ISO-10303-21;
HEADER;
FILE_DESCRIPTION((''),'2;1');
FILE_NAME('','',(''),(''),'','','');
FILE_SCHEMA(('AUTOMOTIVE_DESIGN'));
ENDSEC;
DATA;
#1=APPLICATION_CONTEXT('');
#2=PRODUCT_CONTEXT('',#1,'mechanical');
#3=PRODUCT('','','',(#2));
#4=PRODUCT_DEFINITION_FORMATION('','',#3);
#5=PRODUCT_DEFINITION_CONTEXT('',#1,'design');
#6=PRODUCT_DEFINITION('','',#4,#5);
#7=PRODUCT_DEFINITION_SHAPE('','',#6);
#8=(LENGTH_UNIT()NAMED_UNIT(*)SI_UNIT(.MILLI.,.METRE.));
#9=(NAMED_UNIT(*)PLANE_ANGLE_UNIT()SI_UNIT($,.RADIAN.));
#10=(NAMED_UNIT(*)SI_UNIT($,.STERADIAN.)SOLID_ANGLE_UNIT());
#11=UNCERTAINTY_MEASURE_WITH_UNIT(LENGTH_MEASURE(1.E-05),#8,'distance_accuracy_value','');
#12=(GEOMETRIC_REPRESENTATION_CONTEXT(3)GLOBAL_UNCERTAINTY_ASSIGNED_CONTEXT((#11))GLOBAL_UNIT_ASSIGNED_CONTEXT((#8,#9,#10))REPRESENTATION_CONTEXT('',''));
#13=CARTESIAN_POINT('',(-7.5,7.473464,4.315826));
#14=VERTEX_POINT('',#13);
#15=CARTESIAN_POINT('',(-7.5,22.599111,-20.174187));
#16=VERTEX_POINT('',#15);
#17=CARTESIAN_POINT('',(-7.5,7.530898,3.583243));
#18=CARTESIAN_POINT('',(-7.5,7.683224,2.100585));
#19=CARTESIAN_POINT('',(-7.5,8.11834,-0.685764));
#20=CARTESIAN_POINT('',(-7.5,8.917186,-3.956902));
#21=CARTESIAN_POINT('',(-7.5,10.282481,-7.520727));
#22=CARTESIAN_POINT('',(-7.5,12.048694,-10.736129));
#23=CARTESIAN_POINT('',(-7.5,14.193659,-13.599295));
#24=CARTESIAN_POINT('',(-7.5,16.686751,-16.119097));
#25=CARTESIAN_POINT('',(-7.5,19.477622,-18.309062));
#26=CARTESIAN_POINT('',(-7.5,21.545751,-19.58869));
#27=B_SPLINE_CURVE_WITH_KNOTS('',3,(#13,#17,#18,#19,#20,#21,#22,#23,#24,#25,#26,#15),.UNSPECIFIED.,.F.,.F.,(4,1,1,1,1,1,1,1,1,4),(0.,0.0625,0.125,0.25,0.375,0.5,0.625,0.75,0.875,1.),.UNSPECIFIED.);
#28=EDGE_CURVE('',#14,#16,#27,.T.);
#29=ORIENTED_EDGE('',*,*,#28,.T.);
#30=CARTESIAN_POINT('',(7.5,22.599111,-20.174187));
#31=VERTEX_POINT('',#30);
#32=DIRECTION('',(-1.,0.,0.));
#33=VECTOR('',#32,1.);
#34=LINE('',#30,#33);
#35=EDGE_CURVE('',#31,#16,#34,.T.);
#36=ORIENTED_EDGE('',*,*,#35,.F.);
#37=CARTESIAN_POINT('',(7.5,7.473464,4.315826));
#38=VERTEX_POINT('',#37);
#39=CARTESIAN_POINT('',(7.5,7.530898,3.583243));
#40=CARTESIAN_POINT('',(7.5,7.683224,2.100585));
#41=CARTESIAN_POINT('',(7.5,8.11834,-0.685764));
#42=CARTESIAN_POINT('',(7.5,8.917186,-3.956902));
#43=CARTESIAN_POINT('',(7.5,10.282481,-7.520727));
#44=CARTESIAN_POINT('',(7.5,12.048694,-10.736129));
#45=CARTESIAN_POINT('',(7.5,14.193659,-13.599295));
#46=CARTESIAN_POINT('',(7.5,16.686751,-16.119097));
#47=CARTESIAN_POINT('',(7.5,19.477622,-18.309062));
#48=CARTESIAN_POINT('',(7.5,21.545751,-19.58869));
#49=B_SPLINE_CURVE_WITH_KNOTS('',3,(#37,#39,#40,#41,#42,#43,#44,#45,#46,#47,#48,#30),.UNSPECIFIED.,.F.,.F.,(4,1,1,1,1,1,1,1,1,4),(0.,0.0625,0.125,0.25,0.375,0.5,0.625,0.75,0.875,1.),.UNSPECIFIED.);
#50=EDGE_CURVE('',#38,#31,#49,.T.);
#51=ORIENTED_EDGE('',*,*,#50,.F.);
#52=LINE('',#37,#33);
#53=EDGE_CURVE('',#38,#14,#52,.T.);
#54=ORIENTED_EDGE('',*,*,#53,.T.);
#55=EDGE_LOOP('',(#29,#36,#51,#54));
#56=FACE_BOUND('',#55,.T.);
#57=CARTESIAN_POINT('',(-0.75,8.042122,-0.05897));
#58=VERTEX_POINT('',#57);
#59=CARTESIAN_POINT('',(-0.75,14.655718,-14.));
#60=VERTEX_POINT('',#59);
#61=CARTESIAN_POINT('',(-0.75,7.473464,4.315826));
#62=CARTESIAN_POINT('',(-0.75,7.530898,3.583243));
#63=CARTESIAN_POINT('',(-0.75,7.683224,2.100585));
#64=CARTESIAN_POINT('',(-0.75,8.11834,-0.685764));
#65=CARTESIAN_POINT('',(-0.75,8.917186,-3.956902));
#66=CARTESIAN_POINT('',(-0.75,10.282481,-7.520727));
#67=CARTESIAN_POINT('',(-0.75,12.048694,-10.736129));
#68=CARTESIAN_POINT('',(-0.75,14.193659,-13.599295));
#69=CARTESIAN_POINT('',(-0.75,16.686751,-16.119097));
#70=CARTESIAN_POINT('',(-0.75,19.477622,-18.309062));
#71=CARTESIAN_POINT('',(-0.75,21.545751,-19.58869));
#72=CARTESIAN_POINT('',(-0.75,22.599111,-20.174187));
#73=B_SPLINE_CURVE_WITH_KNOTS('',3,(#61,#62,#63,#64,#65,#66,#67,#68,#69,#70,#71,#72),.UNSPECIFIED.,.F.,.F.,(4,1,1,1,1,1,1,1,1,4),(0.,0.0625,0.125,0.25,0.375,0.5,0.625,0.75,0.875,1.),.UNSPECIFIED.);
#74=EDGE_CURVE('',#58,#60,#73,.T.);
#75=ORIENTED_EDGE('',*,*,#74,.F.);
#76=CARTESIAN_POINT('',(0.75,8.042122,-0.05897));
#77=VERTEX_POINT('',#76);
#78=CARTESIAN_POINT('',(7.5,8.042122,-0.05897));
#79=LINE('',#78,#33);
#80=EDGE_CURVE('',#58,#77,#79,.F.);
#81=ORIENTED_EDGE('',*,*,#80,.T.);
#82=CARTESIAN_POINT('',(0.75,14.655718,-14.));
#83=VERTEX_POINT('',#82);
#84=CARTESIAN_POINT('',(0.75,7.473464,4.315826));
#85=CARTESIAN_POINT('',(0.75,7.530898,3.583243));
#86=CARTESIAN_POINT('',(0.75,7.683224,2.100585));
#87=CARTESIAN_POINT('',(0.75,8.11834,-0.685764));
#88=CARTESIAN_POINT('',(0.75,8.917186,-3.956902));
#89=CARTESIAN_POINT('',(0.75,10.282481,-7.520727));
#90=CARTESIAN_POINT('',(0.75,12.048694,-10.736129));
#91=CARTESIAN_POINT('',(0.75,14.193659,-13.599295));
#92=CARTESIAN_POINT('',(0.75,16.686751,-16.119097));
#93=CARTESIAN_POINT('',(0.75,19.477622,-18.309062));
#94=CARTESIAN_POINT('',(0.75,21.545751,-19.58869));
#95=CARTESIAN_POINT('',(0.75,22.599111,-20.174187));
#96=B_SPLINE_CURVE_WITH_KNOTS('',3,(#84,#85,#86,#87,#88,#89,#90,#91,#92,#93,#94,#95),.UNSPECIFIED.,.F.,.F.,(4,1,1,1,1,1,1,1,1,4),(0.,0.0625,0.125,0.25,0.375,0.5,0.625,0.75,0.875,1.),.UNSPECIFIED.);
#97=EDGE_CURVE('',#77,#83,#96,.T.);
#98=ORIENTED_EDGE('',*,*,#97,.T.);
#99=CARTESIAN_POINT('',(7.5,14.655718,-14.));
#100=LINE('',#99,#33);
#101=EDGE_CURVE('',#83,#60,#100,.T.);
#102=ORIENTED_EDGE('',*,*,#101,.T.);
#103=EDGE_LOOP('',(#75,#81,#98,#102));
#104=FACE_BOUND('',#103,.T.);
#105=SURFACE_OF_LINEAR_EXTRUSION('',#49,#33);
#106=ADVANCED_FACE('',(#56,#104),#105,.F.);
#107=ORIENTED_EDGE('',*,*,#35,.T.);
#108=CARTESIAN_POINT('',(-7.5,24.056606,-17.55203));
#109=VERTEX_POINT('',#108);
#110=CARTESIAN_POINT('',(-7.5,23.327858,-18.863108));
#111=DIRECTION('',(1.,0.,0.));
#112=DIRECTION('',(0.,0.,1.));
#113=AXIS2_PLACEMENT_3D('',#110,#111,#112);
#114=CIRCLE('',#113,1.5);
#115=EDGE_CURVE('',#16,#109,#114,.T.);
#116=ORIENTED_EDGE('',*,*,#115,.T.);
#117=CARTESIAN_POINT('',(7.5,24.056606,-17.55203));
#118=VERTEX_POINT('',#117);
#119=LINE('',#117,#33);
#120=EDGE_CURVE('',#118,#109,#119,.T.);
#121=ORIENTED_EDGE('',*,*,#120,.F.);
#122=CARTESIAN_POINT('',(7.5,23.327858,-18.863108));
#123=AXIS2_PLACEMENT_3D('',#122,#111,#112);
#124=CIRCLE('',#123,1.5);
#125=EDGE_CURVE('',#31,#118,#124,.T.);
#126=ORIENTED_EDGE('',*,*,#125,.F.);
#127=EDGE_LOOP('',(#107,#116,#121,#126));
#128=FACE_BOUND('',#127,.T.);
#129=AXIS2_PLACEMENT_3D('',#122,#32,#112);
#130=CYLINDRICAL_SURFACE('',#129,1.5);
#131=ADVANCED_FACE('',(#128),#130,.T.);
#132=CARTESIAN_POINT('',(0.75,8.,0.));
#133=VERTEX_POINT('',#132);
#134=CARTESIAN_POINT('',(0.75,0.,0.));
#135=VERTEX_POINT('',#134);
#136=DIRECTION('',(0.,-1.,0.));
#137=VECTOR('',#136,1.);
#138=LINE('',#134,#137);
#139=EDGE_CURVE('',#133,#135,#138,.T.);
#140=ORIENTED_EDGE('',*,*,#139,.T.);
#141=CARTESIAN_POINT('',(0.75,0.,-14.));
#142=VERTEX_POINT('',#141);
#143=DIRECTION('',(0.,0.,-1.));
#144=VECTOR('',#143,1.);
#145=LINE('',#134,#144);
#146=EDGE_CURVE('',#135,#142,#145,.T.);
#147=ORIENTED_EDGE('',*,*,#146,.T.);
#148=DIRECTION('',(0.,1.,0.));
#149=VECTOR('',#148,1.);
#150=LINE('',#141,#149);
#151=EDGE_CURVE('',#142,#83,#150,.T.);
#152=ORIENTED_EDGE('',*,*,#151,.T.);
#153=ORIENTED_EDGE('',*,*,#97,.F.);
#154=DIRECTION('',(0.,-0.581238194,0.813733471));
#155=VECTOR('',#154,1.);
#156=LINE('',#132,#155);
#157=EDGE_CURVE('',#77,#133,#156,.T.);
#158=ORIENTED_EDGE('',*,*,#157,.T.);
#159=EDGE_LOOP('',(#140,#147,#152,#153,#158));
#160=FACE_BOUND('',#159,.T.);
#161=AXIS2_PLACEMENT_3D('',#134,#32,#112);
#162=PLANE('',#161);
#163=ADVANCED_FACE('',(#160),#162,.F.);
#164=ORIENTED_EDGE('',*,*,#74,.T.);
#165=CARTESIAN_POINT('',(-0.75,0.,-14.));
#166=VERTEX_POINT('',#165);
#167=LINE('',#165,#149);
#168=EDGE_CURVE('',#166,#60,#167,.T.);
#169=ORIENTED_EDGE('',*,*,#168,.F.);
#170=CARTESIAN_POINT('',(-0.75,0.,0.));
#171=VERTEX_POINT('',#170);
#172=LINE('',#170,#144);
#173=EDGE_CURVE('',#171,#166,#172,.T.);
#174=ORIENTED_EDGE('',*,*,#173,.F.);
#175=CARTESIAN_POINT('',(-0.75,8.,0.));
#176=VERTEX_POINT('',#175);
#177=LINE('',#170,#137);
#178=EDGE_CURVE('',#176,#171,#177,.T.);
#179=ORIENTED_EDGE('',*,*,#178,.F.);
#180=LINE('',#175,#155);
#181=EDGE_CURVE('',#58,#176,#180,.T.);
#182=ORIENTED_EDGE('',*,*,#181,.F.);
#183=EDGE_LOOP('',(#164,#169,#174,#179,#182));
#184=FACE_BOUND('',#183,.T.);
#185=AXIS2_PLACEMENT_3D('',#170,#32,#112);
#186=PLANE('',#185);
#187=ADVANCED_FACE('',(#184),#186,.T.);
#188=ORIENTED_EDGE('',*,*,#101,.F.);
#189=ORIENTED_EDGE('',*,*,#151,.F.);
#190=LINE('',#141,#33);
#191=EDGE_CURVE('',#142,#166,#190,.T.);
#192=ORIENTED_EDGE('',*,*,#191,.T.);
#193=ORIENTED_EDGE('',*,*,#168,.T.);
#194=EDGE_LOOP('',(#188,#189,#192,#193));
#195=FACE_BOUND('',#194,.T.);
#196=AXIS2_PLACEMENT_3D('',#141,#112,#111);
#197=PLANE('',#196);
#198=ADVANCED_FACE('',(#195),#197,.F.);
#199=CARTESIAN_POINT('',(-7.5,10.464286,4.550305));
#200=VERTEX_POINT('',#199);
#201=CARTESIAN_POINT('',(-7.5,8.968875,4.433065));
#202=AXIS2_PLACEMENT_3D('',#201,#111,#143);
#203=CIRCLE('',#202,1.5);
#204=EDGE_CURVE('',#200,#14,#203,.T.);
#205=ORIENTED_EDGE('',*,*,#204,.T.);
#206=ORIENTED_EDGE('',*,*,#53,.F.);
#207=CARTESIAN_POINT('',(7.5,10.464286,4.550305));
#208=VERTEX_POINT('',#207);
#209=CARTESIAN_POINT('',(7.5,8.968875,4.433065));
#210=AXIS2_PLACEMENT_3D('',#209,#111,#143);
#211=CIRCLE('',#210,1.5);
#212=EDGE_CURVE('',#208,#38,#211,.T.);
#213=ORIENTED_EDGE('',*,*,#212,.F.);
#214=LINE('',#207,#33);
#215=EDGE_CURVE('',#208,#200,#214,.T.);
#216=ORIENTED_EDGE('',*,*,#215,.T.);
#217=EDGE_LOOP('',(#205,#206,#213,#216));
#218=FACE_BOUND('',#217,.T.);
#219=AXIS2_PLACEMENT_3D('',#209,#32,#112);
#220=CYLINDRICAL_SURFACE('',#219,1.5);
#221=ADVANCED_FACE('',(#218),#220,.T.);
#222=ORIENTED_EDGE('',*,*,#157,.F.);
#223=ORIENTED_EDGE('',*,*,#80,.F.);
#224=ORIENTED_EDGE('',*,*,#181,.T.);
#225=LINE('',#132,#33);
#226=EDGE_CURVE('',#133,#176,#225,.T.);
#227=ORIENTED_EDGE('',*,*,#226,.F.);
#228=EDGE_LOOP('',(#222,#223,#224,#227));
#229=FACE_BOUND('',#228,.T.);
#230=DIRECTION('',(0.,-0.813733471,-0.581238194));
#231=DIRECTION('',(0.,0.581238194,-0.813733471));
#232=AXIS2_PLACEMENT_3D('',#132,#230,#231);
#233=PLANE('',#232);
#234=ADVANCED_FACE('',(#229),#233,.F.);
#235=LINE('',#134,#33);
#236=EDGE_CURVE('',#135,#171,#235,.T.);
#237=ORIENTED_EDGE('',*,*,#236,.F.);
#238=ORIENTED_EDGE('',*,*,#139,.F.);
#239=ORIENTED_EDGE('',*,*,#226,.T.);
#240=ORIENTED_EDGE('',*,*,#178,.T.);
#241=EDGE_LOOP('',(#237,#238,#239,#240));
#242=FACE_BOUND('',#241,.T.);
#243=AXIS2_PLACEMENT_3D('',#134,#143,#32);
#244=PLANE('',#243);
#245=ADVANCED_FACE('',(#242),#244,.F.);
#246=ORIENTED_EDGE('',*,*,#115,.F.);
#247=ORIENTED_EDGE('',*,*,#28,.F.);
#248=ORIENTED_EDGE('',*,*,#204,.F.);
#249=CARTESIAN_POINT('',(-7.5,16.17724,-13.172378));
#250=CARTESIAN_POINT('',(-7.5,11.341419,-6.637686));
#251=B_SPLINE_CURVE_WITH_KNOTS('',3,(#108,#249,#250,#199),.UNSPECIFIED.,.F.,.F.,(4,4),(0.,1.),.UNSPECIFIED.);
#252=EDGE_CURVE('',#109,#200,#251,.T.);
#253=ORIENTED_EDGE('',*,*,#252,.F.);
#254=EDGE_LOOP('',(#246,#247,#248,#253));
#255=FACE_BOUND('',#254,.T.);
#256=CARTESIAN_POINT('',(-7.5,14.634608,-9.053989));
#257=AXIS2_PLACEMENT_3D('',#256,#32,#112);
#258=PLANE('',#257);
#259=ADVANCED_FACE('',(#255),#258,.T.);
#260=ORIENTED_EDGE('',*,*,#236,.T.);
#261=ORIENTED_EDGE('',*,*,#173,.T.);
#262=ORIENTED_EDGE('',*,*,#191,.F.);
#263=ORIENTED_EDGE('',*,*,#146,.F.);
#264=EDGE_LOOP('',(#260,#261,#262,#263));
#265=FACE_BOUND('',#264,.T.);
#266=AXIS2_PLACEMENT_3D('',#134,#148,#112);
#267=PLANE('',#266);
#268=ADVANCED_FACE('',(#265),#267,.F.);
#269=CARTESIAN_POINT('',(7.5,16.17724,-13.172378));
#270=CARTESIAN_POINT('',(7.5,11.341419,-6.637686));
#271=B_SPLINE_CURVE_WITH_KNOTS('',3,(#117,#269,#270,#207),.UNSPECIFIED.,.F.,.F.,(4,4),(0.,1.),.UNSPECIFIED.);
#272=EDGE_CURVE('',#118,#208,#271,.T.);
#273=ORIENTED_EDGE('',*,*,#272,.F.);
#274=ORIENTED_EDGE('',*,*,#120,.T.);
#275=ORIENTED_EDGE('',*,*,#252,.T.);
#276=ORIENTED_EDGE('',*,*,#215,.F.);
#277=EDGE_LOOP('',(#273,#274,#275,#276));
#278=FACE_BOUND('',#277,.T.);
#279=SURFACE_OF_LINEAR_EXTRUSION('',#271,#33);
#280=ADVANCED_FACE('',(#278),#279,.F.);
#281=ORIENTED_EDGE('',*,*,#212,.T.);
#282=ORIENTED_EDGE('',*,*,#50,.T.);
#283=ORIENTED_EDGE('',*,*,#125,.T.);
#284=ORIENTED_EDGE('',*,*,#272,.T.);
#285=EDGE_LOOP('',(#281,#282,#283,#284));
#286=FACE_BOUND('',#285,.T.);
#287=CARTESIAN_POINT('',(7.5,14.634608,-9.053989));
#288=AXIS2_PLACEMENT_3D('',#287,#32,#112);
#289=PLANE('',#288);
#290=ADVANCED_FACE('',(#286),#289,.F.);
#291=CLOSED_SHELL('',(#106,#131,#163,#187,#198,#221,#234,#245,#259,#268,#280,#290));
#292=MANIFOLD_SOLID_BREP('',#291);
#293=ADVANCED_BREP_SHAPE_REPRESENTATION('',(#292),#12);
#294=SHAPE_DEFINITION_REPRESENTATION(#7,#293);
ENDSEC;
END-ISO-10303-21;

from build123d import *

# Parameters (mm, degrees)
BOSS_EXTRUDE1_DEPTH = 0.75
BOSS_EXTRUDE2_DEPTH = 7.5


with BuildPart() as part:
    # Sketch1 → Boss-Extrude1 (new, symmetric)
    with BuildSketch(Plane(origin=(0, 0, 0), x_dir=(0, 0, -1), z_dir=(1, 0, 0))):
        Polygon((0, 0), (14, 0), (14, 18), (0, 8), align=None)
    extrude(amount=BOSS_EXTRUDE1_DEPTH, both=True)

    # Sketch2 → Boss-Extrude2 (add, symmetric)
    with BuildSketch(Plane(origin=(0, 0, 0), x_dir=(0, 0, -1), z_dir=(1, 0, 0))):
        with BuildLine():
            ThreePointArc((-4.550304812, 10.464286171), (-5.928476621, 8.851635414), (-4.315825864, 7.473463604))
            add(Edge.make_bspline(
                [(-4.315825864, 7.473463604), (-3.583243131, 7.530897713), (-2.100585043, 7.6832237), (0.68576379, 8.118340384), (3.956902233, 8.917185571), (7.520727195, 10.282481231), (10.736128846, 12.048694485), (13.599295228, 14.193658518), (16.119096641, 16.686751031), (18.30906232, 19.477622478), (19.58868963, 21.545750976), (20.174187061, 22.599110502)],
                knots=[0, 0, 0, 0, 0.0625, 0.125, 0.25, 0.375, 0.5, 0.625, 0.75, 0.875, 1, 1, 1, 1], degree=3))
            ThreePointArc((20.174187061, 22.599110502), (19.591855999, 24.638936606), (17.552029895, 24.056605543))
            add(Edge.make_bspline(
                [(-4.550304812, 10.464286171), (6.637685906, 11.341418876), (13.172377699, 16.177239873), (17.552029895, 24.056605543)],
                knots=[0, 0, 0, 0, 1, 1, 1, 1], degree=3))
        make_face()
    extrude(amount=BOSS_EXTRUDE2_DEPTH, both=True)


solid = part.part
